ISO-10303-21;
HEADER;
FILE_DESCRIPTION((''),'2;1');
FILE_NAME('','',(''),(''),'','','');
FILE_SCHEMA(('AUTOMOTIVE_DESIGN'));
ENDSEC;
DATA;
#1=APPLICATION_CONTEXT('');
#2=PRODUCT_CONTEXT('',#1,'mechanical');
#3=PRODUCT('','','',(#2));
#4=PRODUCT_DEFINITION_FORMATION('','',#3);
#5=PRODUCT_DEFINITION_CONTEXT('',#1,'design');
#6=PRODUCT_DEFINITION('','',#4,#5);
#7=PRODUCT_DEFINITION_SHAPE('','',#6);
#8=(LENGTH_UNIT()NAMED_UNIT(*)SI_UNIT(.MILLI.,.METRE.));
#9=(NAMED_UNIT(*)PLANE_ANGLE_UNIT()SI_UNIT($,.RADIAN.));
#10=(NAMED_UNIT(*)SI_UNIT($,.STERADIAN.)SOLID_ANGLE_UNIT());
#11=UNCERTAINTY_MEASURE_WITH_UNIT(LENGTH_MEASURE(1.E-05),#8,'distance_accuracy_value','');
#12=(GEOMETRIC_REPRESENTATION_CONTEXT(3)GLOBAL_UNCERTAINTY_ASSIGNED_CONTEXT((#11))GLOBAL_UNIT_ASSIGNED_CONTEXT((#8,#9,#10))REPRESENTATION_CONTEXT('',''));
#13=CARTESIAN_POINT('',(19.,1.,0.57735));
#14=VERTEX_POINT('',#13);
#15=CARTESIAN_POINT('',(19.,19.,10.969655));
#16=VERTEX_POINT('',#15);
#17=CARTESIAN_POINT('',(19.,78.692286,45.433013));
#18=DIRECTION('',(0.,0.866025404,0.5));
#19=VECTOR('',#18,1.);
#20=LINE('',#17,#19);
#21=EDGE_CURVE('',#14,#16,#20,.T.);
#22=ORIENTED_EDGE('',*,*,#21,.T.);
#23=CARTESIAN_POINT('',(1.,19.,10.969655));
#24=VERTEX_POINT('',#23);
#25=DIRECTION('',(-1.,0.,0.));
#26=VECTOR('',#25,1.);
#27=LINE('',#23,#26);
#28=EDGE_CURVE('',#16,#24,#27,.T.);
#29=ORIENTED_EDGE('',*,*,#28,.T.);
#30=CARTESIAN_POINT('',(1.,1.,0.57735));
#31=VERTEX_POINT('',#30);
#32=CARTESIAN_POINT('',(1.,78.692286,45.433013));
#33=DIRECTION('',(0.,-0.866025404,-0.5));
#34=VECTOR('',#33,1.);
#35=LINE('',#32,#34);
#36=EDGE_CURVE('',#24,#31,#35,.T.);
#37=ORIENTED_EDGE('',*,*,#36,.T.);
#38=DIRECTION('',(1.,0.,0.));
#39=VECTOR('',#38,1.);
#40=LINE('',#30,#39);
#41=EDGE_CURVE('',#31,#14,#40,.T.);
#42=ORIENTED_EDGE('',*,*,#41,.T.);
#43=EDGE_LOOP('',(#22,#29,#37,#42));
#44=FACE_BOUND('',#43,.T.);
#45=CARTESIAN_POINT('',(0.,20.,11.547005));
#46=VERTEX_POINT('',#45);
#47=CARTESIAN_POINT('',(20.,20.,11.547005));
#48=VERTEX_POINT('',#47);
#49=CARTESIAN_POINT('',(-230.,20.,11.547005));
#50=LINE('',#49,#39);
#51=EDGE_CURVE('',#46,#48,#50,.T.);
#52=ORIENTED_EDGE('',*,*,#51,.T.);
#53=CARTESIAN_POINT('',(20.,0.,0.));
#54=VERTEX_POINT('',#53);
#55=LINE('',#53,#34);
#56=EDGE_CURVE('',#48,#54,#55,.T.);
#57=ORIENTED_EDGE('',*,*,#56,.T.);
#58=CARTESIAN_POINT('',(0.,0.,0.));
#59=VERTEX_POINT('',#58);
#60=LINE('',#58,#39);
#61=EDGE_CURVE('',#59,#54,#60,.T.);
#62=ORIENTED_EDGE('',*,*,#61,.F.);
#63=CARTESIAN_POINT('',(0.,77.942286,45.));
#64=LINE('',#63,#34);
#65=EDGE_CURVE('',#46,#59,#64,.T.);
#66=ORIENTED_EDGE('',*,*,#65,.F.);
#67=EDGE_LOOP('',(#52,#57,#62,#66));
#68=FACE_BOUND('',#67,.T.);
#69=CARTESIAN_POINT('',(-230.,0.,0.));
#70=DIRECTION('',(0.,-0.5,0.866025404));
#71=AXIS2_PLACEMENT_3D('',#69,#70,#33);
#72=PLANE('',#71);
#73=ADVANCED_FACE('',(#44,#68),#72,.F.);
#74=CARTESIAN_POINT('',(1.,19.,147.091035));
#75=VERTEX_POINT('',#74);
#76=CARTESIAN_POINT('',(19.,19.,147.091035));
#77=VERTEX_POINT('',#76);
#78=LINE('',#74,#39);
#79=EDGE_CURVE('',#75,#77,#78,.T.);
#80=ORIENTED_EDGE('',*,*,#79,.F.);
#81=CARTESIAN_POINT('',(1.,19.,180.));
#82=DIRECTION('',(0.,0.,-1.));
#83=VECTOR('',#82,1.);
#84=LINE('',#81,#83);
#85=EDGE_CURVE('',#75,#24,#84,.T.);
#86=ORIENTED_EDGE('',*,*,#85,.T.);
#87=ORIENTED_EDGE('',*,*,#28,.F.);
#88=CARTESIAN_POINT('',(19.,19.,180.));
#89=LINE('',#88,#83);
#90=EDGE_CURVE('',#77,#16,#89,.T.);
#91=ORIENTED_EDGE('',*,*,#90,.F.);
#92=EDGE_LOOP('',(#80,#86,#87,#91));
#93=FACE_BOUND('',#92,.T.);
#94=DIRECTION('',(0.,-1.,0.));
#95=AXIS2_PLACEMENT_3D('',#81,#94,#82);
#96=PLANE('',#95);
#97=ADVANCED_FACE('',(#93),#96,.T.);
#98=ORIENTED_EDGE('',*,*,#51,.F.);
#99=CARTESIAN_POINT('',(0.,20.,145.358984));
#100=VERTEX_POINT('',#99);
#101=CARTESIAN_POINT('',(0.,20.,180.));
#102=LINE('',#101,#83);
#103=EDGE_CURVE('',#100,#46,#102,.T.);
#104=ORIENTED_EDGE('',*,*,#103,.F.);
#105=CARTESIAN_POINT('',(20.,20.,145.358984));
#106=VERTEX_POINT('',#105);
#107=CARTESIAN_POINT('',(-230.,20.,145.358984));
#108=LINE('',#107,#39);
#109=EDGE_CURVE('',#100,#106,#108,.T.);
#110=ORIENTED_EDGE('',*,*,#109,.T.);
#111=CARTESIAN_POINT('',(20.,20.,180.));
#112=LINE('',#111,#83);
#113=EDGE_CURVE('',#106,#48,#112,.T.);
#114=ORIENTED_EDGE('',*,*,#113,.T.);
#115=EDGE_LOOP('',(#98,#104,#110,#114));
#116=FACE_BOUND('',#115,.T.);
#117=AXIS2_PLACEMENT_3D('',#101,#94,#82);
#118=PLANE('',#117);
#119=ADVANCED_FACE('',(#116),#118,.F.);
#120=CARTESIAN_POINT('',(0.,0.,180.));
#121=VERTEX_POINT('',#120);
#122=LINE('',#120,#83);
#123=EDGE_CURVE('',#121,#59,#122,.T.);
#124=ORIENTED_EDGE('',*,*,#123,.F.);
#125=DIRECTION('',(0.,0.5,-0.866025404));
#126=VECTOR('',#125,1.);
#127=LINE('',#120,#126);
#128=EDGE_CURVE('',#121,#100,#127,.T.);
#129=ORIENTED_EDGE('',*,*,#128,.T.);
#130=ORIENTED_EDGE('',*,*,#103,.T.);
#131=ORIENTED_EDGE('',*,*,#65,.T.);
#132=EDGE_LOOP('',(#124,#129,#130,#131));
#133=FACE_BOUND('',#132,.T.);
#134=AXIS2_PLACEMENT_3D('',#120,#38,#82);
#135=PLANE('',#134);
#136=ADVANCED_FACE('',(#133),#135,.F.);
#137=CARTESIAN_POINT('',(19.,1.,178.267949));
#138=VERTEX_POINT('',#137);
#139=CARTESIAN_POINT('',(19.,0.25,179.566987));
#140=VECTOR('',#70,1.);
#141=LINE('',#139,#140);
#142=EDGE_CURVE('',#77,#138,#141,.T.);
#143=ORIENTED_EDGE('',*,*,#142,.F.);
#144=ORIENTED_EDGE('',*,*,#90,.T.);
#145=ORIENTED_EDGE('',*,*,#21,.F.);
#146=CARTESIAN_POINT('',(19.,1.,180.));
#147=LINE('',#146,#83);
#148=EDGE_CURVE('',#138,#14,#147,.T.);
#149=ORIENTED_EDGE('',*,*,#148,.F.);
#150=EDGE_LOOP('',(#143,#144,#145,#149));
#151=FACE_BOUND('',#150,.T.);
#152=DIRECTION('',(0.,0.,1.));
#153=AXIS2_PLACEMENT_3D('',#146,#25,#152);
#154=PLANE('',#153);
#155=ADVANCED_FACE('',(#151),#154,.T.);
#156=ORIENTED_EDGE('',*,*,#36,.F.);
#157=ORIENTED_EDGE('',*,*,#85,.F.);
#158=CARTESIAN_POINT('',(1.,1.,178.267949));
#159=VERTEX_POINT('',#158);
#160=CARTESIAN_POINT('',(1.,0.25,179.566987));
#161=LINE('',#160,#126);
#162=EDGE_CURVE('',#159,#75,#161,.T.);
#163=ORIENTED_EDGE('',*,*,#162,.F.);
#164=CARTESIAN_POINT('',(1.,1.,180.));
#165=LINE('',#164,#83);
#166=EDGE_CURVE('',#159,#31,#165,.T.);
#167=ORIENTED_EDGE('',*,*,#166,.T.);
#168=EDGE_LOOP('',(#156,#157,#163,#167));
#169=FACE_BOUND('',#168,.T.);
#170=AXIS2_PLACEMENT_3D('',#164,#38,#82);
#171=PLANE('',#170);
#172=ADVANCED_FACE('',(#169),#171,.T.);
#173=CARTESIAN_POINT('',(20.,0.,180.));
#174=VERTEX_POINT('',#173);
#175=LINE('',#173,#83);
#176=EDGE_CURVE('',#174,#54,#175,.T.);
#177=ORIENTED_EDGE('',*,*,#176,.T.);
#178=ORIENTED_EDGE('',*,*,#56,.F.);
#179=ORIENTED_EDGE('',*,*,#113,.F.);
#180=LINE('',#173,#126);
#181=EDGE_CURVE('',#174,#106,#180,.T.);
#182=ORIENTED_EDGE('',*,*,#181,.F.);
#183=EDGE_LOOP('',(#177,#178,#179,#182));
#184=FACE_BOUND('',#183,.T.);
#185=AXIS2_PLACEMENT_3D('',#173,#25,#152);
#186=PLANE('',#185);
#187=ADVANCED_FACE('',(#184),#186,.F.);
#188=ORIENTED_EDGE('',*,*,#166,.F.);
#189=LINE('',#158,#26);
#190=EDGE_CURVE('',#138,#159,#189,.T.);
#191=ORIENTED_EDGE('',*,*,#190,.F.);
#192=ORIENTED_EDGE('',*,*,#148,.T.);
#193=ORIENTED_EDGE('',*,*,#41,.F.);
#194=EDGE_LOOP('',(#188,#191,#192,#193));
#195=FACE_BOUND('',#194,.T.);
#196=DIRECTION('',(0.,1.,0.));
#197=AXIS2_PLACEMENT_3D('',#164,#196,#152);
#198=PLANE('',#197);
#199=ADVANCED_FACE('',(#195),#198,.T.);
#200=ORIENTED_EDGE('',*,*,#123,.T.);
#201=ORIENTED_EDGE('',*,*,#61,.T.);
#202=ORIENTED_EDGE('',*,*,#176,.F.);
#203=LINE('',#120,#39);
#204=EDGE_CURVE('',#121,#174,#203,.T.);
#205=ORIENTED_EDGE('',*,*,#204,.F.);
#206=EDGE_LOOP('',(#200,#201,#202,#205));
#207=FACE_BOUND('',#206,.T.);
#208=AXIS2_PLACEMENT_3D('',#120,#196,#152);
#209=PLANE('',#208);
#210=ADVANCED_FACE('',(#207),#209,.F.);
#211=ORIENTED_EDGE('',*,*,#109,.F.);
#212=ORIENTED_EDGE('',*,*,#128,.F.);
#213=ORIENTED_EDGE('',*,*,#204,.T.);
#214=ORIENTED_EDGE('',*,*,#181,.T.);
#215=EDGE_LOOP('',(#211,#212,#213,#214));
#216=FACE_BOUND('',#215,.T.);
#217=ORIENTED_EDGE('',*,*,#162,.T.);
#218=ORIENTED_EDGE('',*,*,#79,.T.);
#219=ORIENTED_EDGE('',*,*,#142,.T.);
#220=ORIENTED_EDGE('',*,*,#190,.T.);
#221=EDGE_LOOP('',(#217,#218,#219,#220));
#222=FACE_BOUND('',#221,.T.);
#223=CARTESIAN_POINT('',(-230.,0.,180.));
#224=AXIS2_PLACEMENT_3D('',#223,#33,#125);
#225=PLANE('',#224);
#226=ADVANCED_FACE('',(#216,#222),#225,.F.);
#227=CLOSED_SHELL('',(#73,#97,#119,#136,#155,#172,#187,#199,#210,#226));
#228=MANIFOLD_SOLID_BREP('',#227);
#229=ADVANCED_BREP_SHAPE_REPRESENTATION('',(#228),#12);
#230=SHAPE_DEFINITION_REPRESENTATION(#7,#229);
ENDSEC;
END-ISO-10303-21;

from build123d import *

# Parameters (mm, degrees)
SKETCH_1_W          = 20
SKETCH_1_H          = 20
SKETCH_1_W_2        = 18
SKETCH_1_H_2        = 18
EXTRUDE_1_DEPTH     = 180
CUT_EXTRUDE_1_DEPTH = 250


with BuildPart() as part:
    # 草图1 → 凸台-拉伸1 (new body)
    with BuildSketch(Plane.XY):
        with Locations((10, 10)):
            Rectangle(SKETCH_1_W, SKETCH_1_H)
        with Locations((10, 10)):
            Rectangle(SKETCH_1_W_2, SKETCH_1_H_2, mode=Mode.SUBTRACT)
    extrude(amount=EXTRUDE_1_DEPTH)

    # 草图2 → 切除-拉伸1 (cut)
    with BuildSketch(Plane(origin=(20, 0, 0), x_dir=(0, 0, -1), z_dir=(1, 0, 0))):
        Polygon((-180, 20), (-180, 0), (-145.358983849, 20), align=None)
        Polygon((-11.547005384, 20), (0, 20), (0, 0), align=None)
    extrude(amount=-CUT_EXTRUDE_1_DEPTH, mode=Mode.SUBTRACT)


solid = part.part
